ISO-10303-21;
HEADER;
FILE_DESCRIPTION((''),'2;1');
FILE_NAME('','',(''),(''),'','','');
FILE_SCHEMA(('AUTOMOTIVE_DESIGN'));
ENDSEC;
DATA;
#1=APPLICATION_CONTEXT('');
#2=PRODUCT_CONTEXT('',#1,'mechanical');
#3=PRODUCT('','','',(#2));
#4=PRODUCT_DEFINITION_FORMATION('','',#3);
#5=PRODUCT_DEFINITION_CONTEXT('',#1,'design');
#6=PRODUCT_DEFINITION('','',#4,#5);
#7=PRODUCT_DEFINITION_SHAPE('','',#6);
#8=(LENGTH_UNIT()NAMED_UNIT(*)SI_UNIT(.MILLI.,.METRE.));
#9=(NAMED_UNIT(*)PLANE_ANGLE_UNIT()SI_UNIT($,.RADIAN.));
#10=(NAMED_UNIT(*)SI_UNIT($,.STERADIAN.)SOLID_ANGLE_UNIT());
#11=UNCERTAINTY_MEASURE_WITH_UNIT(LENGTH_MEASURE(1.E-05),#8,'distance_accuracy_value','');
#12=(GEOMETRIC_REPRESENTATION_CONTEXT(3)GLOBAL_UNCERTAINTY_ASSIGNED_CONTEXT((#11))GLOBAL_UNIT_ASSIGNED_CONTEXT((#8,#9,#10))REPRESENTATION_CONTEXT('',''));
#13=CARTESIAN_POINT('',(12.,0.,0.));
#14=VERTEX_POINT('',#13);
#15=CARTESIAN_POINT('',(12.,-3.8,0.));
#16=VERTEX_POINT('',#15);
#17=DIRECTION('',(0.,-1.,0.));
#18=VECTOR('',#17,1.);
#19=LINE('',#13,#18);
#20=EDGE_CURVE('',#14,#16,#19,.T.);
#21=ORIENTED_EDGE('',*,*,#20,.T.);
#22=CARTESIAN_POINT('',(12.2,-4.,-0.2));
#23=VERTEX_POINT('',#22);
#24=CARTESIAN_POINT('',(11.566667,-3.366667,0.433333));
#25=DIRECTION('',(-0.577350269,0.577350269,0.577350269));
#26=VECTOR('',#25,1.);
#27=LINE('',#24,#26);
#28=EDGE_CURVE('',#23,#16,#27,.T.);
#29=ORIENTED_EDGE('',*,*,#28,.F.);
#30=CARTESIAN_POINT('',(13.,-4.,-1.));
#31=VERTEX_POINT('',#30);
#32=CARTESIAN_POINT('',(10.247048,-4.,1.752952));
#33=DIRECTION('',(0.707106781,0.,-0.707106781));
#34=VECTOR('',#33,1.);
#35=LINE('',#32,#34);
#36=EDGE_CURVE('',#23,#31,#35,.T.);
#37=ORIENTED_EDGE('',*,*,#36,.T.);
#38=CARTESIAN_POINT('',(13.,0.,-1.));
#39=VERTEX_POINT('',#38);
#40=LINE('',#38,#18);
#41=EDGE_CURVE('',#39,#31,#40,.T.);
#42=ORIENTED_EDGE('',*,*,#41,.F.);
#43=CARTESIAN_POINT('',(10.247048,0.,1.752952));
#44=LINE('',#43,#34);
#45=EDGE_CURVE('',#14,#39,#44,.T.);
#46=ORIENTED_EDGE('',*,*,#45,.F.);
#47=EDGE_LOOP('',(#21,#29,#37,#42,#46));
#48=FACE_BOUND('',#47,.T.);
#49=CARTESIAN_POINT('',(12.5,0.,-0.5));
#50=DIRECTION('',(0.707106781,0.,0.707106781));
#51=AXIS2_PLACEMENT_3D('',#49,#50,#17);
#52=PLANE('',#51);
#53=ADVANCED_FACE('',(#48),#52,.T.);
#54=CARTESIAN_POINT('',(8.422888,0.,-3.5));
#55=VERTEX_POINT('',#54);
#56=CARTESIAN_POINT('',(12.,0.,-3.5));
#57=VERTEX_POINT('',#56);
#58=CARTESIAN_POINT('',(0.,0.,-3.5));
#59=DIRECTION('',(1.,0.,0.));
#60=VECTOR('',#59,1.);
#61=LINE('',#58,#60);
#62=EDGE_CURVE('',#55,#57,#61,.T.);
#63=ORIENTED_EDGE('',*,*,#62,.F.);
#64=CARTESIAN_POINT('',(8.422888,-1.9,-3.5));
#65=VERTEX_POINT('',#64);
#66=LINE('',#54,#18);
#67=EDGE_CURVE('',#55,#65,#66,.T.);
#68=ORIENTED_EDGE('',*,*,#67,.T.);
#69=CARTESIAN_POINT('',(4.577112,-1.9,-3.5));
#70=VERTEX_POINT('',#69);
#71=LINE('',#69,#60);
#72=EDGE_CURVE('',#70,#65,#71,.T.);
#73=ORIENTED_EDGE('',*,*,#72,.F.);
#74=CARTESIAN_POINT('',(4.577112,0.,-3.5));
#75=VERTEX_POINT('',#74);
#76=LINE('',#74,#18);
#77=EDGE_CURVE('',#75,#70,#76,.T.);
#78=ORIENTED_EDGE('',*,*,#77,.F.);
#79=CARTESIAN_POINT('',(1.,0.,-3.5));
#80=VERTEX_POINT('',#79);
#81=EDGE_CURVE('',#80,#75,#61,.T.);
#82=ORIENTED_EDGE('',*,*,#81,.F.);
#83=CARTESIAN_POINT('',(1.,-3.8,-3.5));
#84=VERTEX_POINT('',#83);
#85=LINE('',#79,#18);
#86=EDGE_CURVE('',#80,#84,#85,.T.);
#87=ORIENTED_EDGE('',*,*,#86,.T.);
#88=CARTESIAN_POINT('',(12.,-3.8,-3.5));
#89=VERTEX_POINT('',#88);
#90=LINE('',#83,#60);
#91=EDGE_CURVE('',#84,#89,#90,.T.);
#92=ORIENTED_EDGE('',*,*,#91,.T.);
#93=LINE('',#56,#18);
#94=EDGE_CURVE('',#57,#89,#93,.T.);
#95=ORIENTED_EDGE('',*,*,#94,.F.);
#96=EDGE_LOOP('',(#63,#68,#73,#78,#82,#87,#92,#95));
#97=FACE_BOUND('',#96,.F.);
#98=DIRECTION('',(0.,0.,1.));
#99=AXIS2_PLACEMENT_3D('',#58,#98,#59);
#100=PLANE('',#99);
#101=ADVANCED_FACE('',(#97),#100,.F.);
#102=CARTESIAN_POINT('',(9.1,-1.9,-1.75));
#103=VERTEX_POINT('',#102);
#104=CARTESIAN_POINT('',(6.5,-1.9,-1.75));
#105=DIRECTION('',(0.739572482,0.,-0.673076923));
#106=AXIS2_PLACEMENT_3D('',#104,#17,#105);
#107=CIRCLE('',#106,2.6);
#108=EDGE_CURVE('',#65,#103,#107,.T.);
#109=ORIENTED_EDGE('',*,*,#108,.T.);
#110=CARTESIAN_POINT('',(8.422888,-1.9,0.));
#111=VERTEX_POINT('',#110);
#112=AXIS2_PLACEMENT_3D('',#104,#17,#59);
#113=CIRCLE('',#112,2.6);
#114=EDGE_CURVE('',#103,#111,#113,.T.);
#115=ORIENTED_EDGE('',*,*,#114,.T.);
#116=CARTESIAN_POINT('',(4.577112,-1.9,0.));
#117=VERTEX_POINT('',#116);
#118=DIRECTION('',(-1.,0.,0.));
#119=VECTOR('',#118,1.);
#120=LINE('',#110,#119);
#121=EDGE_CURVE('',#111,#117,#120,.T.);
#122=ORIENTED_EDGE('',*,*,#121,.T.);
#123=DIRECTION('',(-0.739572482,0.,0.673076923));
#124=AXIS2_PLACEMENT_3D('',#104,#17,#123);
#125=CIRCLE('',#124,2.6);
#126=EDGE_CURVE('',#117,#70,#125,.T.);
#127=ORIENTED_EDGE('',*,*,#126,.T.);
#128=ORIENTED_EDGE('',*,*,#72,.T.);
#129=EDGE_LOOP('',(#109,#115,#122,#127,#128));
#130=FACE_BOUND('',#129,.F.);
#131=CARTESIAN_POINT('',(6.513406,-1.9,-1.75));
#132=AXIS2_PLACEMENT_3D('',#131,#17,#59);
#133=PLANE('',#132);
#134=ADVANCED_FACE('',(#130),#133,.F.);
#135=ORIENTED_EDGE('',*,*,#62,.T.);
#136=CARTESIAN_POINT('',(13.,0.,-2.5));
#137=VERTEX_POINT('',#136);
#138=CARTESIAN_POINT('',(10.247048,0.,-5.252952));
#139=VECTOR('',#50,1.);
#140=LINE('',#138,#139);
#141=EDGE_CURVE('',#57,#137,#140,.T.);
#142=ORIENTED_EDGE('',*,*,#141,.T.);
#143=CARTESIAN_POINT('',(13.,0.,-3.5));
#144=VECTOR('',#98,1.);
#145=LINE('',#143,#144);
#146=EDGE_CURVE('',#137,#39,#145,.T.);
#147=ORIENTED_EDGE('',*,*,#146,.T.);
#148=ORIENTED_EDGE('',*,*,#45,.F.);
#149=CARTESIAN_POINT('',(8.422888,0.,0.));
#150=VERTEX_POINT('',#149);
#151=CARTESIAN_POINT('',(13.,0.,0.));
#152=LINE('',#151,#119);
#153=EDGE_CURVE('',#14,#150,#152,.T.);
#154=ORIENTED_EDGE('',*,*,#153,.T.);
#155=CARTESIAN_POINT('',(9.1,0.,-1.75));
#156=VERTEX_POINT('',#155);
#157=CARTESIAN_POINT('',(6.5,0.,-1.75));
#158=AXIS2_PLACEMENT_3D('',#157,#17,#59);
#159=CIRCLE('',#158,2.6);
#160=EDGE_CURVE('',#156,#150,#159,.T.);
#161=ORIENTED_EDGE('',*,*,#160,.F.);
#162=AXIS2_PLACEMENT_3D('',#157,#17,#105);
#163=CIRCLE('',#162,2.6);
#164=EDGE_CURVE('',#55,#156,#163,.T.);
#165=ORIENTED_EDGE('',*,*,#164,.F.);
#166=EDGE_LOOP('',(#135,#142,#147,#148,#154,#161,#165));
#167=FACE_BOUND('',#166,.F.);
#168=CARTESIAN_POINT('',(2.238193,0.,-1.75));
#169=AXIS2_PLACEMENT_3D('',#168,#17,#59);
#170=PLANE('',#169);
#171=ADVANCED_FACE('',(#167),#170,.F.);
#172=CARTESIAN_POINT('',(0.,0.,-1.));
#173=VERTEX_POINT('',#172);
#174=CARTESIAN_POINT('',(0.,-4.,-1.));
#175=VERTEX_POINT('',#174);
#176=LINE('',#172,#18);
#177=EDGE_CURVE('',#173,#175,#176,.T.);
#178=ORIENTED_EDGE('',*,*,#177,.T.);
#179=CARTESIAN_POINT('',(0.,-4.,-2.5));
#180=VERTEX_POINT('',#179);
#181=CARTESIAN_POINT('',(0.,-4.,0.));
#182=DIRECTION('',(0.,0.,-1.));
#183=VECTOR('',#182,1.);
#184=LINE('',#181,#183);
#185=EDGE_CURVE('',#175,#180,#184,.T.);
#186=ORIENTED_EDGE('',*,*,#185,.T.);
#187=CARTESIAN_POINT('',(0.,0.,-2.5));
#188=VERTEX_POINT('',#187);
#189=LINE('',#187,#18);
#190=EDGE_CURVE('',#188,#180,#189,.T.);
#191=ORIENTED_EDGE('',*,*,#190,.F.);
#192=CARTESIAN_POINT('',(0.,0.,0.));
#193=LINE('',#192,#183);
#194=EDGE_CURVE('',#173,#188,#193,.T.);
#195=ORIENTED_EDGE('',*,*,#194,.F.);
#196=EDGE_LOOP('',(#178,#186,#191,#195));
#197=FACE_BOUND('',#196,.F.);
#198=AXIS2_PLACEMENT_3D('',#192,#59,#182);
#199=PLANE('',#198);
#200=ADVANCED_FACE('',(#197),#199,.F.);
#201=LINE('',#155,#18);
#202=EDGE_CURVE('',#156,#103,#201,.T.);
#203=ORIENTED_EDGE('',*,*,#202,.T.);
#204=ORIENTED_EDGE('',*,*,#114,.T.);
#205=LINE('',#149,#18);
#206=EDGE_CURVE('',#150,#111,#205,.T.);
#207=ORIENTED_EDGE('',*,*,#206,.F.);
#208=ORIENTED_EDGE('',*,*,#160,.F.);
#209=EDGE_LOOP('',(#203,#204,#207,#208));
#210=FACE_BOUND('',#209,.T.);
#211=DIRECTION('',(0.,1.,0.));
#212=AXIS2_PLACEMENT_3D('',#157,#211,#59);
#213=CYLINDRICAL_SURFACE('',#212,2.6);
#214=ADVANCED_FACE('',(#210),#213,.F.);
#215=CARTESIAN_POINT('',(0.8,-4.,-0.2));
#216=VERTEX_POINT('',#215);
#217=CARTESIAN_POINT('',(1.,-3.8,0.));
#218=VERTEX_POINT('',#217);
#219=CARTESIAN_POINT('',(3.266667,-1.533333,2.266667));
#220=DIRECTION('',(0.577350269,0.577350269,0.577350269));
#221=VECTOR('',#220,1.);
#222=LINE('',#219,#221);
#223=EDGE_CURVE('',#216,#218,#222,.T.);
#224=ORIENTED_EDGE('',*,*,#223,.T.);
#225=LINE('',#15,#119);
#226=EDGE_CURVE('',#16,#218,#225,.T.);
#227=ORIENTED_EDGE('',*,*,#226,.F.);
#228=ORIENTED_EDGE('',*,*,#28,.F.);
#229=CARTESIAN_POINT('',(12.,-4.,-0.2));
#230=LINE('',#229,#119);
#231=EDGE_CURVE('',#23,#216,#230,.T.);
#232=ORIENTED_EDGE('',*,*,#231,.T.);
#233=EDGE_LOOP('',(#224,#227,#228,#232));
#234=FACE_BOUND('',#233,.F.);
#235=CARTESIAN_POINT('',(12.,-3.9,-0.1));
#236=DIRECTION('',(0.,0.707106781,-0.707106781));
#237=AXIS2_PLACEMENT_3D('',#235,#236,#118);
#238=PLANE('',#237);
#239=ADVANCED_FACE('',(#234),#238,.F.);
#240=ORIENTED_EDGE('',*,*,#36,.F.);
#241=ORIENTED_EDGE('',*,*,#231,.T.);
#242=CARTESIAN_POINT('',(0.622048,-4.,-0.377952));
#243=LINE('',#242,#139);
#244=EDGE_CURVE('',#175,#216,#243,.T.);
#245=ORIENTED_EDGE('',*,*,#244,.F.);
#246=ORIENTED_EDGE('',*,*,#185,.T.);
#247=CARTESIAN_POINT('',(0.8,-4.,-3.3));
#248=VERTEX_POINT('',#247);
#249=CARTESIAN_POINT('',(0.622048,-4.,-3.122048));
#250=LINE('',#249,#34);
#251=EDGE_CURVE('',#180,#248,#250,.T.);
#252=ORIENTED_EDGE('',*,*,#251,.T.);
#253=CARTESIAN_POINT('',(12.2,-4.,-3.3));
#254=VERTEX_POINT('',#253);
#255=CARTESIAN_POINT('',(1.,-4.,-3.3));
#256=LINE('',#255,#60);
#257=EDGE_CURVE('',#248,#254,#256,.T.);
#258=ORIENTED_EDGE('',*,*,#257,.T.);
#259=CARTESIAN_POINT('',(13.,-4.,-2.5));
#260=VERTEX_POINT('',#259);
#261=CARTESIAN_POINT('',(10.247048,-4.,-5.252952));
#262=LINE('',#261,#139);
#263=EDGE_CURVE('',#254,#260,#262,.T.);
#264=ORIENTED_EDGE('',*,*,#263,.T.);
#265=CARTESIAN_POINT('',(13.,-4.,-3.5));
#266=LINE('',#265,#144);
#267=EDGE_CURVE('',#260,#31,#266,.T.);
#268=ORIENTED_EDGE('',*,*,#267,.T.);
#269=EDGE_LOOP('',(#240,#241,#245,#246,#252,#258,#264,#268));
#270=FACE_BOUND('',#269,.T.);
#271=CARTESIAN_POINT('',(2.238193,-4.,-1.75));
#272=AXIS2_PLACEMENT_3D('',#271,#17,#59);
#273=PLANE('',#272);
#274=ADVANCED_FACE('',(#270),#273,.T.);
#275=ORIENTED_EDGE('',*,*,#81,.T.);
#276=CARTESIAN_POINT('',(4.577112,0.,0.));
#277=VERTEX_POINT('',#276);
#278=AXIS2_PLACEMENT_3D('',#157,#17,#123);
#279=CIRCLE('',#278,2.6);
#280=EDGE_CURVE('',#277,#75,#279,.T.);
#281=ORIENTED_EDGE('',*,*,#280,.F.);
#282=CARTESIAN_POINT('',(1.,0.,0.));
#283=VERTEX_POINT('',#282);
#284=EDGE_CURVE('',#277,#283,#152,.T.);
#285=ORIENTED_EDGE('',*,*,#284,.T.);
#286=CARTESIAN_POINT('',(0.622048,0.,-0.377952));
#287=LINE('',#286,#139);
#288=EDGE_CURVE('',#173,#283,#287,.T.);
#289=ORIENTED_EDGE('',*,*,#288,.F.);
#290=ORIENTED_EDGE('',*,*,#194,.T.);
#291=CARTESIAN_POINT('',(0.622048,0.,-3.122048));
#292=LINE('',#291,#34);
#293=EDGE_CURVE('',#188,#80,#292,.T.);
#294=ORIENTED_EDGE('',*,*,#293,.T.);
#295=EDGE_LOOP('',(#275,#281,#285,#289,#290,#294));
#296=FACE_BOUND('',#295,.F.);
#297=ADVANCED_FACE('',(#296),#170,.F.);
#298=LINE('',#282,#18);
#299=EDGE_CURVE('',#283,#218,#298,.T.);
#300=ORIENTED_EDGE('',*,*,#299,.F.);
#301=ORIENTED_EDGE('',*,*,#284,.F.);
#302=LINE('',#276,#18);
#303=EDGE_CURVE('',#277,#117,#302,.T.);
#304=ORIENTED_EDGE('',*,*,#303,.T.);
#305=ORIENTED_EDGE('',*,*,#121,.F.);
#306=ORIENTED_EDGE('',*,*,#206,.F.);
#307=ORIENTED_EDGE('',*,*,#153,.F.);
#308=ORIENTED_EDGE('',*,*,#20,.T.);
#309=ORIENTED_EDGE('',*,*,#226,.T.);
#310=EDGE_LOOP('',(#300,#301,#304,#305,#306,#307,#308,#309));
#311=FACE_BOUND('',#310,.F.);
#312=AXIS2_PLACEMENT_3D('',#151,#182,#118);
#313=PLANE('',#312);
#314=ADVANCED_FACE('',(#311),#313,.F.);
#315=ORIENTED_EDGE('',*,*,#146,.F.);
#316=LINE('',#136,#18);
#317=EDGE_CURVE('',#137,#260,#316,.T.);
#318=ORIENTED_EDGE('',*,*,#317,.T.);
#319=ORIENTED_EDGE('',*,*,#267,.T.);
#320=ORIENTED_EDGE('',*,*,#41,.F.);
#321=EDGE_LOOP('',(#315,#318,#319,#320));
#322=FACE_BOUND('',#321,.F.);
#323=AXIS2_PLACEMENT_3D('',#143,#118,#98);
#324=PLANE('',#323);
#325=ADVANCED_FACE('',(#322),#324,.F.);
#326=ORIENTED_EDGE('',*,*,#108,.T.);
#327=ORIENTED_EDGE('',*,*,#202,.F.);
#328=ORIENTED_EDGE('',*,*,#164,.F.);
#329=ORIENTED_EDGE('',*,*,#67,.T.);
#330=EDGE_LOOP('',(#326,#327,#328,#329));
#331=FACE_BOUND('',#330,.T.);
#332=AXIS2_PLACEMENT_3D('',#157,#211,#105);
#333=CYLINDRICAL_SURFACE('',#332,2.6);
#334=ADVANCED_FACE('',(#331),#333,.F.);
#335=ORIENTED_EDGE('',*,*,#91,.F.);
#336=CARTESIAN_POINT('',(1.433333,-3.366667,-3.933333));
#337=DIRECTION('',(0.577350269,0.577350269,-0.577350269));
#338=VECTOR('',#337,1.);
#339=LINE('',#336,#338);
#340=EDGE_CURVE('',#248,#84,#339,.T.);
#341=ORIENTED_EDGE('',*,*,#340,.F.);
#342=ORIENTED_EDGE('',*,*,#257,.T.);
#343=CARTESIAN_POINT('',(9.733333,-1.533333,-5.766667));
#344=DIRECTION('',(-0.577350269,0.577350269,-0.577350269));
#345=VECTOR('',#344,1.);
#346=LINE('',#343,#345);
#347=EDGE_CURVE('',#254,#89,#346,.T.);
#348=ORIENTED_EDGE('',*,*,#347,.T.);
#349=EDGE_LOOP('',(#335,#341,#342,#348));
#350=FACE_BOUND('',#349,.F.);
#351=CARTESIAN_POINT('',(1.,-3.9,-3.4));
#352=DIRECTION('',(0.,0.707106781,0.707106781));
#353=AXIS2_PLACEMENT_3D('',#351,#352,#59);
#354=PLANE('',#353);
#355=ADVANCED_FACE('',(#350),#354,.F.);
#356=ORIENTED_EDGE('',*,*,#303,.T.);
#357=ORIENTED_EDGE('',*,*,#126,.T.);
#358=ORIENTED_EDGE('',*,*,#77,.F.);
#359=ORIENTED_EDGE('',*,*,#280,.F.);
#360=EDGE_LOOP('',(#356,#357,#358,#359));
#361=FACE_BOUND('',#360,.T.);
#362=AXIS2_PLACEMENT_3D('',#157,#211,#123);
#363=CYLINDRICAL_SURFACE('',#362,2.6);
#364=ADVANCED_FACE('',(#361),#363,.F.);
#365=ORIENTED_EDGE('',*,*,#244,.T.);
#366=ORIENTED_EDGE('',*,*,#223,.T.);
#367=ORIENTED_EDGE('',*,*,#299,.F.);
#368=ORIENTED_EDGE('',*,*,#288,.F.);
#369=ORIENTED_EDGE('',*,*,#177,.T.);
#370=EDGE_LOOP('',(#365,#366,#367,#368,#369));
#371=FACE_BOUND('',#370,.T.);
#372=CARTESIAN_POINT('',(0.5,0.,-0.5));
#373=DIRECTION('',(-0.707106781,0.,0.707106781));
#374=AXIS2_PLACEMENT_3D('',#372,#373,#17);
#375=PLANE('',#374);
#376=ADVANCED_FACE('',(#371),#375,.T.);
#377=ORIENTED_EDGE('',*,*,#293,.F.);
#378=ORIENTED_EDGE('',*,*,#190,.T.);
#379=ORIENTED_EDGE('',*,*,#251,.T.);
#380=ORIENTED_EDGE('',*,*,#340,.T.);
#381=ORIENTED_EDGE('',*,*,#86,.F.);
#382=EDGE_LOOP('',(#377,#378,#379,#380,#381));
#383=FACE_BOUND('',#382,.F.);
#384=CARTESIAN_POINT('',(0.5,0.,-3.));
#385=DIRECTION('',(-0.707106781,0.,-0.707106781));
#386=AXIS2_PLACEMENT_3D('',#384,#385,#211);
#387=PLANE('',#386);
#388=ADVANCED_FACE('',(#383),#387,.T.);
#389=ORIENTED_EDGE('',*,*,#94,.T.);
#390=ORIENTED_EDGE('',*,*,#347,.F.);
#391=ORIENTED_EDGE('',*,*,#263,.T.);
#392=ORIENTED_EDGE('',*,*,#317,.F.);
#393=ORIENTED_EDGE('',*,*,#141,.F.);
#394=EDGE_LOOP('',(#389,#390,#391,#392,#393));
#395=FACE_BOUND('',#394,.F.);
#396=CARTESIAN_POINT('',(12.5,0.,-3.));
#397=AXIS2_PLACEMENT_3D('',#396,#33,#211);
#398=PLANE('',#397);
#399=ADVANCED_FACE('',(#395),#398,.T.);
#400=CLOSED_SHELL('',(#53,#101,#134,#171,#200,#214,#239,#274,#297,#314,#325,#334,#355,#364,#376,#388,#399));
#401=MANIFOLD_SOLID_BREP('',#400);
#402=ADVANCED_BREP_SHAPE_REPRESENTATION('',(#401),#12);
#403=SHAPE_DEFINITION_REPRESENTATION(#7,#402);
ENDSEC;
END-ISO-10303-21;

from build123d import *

# Parameters (mm, degrees)
F1_DEPTH = 4
F2_DEPTH = 1.9
F3_SIZE  = 1
F4_SIZE  = 0.2


with BuildPart() as f1:
    # F0 (on Front) → F1 (new body)
    with BuildSketch(Plane.XZ):
        with BuildLine():
            Line((4.5771115477, 0), (0, 0))
            Line((0, 0), (0, -3.5))
            Line((0, -3.5), (4.5771115477, -3.5))
            ThreePointArc((4.5771115477, -3.5), (3.9, -1.75), (4.5771115477, 0))
        make_face()
        with BuildLine():
            Line((8.4228884523, 0), (4.5771115477, 0))
            ThreePointArc((4.5771115477, 0), (3.9, -1.75), (4.5771115477, -3.5))
            Line((4.5771115477, -3.5), (8.4228884523, -3.5))
            ThreePointArc((8.4228884523, -3.5), (8.9248206094, -2.6882137347), (9.1, -1.75))
            ThreePointArc((9.1, -1.75), (8.9248206094, -0.8117862653), (8.4228884523, 0))
        make_face()
        with BuildLine():
            Line((13, 0), (8.4228884523, 0))
            ThreePointArc((8.4228884523, 0), (8.9248206094, -0.8117862653), (9.1, -1.75))
            ThreePointArc((9.1, -1.75), (8.9248206094, -2.6882137347), (8.4228884523, -3.5))
            Line((8.4228884523, -3.5), (13, -3.5))
            Line((13, -3.5), (13, 0))
        make_face()
    extrude(amount=F1_DEPTH)

    # F0 (on Front) → F2 (cut)
    with BuildSketch(Plane.XZ):
        with BuildLine():
            Line((8.4228884523, 0), (4.5771115477, 0))
            ThreePointArc((4.5771115477, 0), (3.9, -1.75), (4.5771115477, -3.5))
            Line((4.5771115477, -3.5), (8.4228884523, -3.5))
            ThreePointArc((8.4228884523, -3.5), (8.9248206094, -2.6882137347), (9.1, -1.75))
            ThreePointArc((9.1, -1.75), (8.9248206094, -0.8117862653), (8.4228884523, 0))
        make_face()
    extrude(amount=F2_DEPTH, mode=Mode.SUBTRACT)

    # F3
    f3_edges = [f1.edges().sort_by_distance(p)[0] for p in [
        (13, -2, -3.5),
        (13, -2, 0),
        (0, -2, -3.5),
        (0, -2, 0),
    ]]
    chamfer(f3_edges, length=F3_SIZE)

    # F4
    f4_edges = [f1.edges().sort_by_distance(p)[0] for p in [
        (6.5, -4, -3.5),
        (6.5, -4, 0),
    ]]
    chamfer(f4_edges, length=F4_SIZE)


solid = f1.part
